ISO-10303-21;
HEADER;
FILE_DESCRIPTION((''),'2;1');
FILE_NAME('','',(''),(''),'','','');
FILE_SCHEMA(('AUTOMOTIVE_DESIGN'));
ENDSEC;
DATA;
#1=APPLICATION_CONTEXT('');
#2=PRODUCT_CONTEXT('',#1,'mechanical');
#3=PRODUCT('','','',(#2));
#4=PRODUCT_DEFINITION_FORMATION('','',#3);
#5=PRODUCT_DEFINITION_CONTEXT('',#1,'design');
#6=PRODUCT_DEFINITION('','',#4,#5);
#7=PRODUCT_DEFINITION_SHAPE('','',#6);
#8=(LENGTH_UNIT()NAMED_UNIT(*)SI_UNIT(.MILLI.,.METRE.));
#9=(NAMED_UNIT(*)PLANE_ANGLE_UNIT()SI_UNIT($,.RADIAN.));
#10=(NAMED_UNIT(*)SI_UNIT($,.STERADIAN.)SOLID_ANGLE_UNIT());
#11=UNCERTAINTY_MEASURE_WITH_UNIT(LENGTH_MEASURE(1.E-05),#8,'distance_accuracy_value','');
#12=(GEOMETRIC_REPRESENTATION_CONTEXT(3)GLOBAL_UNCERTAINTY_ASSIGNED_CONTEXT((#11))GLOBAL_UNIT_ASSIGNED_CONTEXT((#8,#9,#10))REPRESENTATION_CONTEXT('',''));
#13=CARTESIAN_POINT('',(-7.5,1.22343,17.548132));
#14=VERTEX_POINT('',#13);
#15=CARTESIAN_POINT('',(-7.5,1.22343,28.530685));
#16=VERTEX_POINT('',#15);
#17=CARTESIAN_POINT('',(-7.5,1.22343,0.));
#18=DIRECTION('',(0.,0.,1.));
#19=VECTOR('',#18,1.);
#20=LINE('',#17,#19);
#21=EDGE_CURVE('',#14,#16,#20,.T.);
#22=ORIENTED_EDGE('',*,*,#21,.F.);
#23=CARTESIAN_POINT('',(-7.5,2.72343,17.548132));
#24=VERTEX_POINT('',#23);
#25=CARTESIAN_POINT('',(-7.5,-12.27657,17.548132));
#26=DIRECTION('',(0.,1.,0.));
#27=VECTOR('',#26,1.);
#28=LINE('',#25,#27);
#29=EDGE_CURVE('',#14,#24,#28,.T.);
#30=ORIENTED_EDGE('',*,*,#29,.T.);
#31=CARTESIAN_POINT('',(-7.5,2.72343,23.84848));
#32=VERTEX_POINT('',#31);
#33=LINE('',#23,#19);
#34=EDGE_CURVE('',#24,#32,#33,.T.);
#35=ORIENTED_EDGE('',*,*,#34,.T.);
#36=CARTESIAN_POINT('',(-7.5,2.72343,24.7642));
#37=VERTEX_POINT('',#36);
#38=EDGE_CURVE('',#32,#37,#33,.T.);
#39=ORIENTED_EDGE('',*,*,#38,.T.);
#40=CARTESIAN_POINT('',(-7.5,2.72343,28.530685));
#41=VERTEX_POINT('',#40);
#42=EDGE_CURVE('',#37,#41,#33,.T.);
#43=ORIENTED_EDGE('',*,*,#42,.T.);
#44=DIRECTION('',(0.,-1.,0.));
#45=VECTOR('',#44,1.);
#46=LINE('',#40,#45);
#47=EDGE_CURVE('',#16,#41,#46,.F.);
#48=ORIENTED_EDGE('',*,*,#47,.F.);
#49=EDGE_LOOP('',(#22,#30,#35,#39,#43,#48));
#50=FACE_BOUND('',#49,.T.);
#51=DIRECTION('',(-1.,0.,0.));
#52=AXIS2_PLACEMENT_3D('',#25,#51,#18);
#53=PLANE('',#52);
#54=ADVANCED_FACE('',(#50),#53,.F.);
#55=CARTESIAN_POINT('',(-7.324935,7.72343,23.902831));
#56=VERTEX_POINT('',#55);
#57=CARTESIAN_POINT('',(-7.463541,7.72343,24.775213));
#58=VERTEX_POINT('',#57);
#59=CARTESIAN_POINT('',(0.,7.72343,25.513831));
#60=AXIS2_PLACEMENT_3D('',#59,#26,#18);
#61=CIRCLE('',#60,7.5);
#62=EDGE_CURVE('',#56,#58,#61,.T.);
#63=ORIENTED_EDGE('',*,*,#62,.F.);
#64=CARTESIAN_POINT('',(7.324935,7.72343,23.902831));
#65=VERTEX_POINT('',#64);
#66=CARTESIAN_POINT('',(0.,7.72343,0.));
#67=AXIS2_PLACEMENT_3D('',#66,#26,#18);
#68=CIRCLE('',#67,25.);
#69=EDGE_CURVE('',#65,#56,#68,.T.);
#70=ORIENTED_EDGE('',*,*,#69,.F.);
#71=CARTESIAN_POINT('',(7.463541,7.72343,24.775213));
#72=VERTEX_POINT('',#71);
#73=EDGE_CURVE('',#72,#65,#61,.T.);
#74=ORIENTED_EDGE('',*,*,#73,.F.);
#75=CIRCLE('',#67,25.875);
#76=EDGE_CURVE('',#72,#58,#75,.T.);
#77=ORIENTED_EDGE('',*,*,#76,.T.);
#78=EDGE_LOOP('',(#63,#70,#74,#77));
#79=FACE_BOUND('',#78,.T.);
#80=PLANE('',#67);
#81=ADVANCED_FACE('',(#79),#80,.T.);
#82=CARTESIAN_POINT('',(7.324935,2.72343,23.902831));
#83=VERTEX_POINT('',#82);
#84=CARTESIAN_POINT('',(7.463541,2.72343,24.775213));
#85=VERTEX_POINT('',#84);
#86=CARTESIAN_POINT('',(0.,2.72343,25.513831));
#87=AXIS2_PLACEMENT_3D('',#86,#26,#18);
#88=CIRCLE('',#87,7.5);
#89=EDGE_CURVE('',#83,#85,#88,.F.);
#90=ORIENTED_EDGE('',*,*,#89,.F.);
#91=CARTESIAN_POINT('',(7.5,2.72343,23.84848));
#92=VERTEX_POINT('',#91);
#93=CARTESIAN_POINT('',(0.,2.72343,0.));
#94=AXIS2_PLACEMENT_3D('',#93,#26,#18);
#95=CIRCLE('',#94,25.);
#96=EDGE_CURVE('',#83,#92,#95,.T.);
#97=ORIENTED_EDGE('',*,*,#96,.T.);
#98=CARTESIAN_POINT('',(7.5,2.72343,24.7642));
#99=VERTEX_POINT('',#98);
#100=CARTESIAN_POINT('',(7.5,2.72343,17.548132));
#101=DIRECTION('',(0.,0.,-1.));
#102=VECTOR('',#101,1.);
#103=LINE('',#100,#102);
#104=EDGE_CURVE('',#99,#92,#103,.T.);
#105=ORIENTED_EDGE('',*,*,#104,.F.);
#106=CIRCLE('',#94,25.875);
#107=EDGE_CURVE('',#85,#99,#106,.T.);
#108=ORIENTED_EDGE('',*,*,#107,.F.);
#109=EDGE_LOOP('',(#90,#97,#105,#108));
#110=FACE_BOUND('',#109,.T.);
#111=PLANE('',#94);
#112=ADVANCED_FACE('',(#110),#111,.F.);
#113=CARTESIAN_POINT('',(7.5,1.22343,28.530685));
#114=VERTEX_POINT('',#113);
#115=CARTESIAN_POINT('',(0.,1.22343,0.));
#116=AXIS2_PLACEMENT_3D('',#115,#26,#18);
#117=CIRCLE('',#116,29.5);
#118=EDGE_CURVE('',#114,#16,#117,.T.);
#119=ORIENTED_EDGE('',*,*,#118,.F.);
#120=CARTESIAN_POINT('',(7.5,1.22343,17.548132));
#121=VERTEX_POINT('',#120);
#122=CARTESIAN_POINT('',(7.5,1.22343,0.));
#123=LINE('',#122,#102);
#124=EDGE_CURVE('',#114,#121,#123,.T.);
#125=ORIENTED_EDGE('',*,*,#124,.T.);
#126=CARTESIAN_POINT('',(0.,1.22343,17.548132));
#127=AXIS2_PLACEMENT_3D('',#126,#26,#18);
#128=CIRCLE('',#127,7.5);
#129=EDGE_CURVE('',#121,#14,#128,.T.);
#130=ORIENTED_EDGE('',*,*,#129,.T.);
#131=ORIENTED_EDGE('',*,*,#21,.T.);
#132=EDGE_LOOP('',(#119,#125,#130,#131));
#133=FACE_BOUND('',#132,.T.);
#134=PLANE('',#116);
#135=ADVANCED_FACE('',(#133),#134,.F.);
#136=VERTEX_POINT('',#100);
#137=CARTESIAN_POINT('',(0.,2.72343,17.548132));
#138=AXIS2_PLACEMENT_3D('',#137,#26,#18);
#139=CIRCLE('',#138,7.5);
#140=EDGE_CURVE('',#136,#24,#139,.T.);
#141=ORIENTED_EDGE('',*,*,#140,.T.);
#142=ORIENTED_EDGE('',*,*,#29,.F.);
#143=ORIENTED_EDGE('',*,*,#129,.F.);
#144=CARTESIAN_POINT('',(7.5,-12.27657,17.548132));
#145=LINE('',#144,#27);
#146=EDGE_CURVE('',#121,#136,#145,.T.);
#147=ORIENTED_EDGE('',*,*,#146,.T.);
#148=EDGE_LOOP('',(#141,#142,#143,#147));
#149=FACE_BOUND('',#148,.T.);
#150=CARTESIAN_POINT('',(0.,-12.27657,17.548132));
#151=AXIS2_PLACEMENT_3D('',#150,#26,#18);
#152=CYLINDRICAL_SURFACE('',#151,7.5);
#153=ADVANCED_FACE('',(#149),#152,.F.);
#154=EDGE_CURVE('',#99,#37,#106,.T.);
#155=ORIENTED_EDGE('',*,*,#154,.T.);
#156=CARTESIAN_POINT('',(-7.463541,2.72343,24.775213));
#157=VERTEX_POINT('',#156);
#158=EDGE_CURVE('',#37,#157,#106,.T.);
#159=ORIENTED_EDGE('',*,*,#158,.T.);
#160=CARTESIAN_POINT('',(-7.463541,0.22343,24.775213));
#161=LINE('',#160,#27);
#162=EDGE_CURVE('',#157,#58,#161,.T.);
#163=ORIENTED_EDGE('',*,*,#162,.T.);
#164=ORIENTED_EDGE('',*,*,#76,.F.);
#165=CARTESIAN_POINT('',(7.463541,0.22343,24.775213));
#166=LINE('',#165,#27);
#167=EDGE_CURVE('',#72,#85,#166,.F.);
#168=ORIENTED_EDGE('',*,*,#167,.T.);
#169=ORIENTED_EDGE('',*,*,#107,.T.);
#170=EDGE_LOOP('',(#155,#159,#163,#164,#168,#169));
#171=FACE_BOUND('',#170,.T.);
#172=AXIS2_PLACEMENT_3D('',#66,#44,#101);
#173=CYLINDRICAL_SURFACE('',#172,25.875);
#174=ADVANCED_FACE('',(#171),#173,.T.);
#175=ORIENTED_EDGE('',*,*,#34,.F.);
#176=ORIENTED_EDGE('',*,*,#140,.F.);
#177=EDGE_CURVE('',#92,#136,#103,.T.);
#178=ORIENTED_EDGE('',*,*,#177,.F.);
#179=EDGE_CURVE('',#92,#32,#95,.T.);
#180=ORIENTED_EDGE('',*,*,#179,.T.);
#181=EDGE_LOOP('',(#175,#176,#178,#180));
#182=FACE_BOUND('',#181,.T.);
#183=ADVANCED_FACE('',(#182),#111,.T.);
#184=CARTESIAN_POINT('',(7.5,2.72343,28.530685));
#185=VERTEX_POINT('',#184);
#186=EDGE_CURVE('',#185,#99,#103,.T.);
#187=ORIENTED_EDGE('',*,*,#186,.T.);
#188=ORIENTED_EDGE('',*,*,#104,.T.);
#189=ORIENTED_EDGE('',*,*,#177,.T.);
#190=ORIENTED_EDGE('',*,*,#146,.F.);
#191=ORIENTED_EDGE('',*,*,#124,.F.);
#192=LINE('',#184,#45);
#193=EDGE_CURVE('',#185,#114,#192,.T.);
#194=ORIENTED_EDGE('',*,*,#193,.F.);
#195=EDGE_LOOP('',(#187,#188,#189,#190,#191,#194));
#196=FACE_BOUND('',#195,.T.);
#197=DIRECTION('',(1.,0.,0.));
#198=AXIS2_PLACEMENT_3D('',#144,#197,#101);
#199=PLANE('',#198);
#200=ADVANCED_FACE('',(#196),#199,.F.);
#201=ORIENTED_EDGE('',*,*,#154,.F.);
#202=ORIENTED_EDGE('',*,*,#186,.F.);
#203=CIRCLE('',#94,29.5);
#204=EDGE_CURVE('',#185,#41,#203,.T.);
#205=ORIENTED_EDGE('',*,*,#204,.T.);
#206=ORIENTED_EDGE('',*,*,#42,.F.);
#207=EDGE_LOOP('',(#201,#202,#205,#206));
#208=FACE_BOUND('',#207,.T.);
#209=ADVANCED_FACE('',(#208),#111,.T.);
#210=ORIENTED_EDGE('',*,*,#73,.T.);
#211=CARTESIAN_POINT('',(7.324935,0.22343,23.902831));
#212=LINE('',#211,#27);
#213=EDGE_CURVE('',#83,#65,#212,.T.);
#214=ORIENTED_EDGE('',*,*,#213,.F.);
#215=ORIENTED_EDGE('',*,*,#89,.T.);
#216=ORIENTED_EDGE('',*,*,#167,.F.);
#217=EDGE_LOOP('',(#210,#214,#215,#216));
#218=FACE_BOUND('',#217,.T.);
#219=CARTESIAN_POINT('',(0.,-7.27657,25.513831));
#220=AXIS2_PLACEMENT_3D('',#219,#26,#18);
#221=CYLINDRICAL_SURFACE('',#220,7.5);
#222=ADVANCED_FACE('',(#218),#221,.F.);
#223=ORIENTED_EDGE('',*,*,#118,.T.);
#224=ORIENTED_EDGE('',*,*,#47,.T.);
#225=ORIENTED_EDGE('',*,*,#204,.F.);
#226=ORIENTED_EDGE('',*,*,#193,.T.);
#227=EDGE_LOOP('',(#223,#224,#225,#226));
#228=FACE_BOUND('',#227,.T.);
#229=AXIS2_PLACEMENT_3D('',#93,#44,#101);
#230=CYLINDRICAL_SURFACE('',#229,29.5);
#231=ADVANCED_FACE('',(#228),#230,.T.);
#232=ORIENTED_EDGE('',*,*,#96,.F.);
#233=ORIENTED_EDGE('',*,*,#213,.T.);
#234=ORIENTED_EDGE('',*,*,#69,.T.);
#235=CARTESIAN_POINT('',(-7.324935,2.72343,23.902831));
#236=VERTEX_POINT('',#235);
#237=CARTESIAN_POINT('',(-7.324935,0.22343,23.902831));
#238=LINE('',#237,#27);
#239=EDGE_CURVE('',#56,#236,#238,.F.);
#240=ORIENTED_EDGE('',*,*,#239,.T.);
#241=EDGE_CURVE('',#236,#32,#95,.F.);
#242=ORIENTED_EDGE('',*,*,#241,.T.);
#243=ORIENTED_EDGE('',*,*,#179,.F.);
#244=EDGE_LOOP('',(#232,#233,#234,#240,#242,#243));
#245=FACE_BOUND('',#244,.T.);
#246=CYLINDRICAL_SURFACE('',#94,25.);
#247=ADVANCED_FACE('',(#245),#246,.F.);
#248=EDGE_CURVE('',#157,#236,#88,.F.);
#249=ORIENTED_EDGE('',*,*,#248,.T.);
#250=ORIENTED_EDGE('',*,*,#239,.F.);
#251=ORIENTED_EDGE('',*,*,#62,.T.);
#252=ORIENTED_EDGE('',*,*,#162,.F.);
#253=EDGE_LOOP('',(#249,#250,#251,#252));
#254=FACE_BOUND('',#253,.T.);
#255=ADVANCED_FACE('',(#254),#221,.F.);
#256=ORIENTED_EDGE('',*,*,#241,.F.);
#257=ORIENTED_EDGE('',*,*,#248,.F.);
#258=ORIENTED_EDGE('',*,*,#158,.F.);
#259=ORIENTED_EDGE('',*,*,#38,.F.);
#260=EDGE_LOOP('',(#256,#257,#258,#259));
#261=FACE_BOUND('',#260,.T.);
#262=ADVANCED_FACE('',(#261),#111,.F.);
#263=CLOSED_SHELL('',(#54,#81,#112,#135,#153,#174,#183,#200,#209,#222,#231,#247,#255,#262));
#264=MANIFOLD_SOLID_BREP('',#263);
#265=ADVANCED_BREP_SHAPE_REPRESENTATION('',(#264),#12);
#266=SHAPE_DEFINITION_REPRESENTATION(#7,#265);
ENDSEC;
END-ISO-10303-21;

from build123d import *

# Parameters (mm, degrees)
SKETCH1_R           = 59
BOSS_EXTRUDE1_DEPTH = 3
SKETCH3_R           = 51.75
BOSS_EXTRUDE2_DEPTH = 10
SKETCH4_R           = 50
CUT_EXTRUDE2_DEPTH  = 10
SCALE1_SCALE        = 0.5
SKETCH5_R           = 7.5
CUT_EXTRUDE3_DEPTH  = 15
SKETCH6_R           = 7.5
CUT_EXTRUDE4_DEPTH  = 15
SKETCH7_R           = 7.5
CUT_EXTRUDE5_DEPTH  = 15
SKETCH8_W           = 15
SKETCH8_H           = 16.086629849
CUT_EXTRUDE6_DEPTH  = 15


with BuildPart() as part:
    # Sketch1 → Boss-Extrude1 (new body)
    with BuildSketch(Plane(origin=(0, 0, 0), x_dir=(1, 0, 0), z_dir=(0, 1, 0))):
        with Locations(Location((0, 0, 0), (0, 0, 270))):
            Circle(SKETCH1_R)
    extrude(amount=BOSS_EXTRUDE1_DEPTH)

    # Sketch3 → Boss-Extrude2 (add)
    with BuildSketch(Plane(origin=(0, 3, 0), x_dir=(1, 0, 0), z_dir=(0, 1, 0))):
        with Locations(Location((0, 0, 0), (0, 0, 270))):
            Circle(SKETCH3_R)
    extrude(amount=BOSS_EXTRUDE2_DEPTH)

    # Sketch4 → Cut-Extrude2 (cut)
    with BuildSketch(Plane(origin=(0, 13, 0), x_dir=(1, 0, 0), z_dir=(0, 1, 0))):
        with Locations(Location((0, 0, 0), (0, 0, 270))):
            Circle(SKETCH4_R)
    extrude(amount=-CUT_EXTRUDE2_DEPTH, mode=Mode.SUBTRACT)


with BuildPart() as part_1:
    # Scale1: scaled about (0, 2.446860076, 0)
    add(part.part.scale(SCALE1_SCALE).moved(Location((0, 1.223430038, 0))))

    # Sketch5 → Cut-Extrude3 (cut)
    with BuildSketch(Plane(origin=(0, 2.723430038, 0), x_dir=(1, 0, 0), z_dir=(0, 1, 0))):
        with Locations(Location((0, -17.548132192, 0), (0, 0, 270))):
            Circle(SKETCH5_R)
    extrude(amount=-CUT_EXTRUDE3_DEPTH, mode=Mode.SUBTRACT)

    # Sketch6 → Cut-Extrude4 (cut)
    with BuildSketch(Plane(origin=(0, 7.723430038, 0), x_dir=(1, 0, 0), z_dir=(0, 1, 0))):
        with Locations((0, -25.513831206)):
            Circle(SKETCH6_R)
    extrude(amount=-CUT_EXTRUDE4_DEPTH, mode=Mode.SUBTRACT)

    # Sketch7 → Cut-Extrude5 (cut)
    with BuildSketch(Plane(origin=(0, 7.723430038, 0), x_dir=(1, 0, 0), z_dir=(0, 1, 0))):
        with Locations((0, -20.692487066)):
            Circle(SKETCH7_R)
    extrude(amount=-CUT_EXTRUDE5_DEPTH, mode=Mode.SUBTRACT)

    # Sketch8 → Cut-Extrude6 (cut)
    with BuildSketch(Plane(origin=(0, 2.723430038, 0), x_dir=(1, 0, 0), z_dir=(0, 1, 0))):
        with Locations((0, -25.591447116)):
            Rectangle(SKETCH8_W, SKETCH8_H)
    extrude(amount=-CUT_EXTRUDE6_DEPTH, mode=Mode.SUBTRACT)


solid = part_1.part
